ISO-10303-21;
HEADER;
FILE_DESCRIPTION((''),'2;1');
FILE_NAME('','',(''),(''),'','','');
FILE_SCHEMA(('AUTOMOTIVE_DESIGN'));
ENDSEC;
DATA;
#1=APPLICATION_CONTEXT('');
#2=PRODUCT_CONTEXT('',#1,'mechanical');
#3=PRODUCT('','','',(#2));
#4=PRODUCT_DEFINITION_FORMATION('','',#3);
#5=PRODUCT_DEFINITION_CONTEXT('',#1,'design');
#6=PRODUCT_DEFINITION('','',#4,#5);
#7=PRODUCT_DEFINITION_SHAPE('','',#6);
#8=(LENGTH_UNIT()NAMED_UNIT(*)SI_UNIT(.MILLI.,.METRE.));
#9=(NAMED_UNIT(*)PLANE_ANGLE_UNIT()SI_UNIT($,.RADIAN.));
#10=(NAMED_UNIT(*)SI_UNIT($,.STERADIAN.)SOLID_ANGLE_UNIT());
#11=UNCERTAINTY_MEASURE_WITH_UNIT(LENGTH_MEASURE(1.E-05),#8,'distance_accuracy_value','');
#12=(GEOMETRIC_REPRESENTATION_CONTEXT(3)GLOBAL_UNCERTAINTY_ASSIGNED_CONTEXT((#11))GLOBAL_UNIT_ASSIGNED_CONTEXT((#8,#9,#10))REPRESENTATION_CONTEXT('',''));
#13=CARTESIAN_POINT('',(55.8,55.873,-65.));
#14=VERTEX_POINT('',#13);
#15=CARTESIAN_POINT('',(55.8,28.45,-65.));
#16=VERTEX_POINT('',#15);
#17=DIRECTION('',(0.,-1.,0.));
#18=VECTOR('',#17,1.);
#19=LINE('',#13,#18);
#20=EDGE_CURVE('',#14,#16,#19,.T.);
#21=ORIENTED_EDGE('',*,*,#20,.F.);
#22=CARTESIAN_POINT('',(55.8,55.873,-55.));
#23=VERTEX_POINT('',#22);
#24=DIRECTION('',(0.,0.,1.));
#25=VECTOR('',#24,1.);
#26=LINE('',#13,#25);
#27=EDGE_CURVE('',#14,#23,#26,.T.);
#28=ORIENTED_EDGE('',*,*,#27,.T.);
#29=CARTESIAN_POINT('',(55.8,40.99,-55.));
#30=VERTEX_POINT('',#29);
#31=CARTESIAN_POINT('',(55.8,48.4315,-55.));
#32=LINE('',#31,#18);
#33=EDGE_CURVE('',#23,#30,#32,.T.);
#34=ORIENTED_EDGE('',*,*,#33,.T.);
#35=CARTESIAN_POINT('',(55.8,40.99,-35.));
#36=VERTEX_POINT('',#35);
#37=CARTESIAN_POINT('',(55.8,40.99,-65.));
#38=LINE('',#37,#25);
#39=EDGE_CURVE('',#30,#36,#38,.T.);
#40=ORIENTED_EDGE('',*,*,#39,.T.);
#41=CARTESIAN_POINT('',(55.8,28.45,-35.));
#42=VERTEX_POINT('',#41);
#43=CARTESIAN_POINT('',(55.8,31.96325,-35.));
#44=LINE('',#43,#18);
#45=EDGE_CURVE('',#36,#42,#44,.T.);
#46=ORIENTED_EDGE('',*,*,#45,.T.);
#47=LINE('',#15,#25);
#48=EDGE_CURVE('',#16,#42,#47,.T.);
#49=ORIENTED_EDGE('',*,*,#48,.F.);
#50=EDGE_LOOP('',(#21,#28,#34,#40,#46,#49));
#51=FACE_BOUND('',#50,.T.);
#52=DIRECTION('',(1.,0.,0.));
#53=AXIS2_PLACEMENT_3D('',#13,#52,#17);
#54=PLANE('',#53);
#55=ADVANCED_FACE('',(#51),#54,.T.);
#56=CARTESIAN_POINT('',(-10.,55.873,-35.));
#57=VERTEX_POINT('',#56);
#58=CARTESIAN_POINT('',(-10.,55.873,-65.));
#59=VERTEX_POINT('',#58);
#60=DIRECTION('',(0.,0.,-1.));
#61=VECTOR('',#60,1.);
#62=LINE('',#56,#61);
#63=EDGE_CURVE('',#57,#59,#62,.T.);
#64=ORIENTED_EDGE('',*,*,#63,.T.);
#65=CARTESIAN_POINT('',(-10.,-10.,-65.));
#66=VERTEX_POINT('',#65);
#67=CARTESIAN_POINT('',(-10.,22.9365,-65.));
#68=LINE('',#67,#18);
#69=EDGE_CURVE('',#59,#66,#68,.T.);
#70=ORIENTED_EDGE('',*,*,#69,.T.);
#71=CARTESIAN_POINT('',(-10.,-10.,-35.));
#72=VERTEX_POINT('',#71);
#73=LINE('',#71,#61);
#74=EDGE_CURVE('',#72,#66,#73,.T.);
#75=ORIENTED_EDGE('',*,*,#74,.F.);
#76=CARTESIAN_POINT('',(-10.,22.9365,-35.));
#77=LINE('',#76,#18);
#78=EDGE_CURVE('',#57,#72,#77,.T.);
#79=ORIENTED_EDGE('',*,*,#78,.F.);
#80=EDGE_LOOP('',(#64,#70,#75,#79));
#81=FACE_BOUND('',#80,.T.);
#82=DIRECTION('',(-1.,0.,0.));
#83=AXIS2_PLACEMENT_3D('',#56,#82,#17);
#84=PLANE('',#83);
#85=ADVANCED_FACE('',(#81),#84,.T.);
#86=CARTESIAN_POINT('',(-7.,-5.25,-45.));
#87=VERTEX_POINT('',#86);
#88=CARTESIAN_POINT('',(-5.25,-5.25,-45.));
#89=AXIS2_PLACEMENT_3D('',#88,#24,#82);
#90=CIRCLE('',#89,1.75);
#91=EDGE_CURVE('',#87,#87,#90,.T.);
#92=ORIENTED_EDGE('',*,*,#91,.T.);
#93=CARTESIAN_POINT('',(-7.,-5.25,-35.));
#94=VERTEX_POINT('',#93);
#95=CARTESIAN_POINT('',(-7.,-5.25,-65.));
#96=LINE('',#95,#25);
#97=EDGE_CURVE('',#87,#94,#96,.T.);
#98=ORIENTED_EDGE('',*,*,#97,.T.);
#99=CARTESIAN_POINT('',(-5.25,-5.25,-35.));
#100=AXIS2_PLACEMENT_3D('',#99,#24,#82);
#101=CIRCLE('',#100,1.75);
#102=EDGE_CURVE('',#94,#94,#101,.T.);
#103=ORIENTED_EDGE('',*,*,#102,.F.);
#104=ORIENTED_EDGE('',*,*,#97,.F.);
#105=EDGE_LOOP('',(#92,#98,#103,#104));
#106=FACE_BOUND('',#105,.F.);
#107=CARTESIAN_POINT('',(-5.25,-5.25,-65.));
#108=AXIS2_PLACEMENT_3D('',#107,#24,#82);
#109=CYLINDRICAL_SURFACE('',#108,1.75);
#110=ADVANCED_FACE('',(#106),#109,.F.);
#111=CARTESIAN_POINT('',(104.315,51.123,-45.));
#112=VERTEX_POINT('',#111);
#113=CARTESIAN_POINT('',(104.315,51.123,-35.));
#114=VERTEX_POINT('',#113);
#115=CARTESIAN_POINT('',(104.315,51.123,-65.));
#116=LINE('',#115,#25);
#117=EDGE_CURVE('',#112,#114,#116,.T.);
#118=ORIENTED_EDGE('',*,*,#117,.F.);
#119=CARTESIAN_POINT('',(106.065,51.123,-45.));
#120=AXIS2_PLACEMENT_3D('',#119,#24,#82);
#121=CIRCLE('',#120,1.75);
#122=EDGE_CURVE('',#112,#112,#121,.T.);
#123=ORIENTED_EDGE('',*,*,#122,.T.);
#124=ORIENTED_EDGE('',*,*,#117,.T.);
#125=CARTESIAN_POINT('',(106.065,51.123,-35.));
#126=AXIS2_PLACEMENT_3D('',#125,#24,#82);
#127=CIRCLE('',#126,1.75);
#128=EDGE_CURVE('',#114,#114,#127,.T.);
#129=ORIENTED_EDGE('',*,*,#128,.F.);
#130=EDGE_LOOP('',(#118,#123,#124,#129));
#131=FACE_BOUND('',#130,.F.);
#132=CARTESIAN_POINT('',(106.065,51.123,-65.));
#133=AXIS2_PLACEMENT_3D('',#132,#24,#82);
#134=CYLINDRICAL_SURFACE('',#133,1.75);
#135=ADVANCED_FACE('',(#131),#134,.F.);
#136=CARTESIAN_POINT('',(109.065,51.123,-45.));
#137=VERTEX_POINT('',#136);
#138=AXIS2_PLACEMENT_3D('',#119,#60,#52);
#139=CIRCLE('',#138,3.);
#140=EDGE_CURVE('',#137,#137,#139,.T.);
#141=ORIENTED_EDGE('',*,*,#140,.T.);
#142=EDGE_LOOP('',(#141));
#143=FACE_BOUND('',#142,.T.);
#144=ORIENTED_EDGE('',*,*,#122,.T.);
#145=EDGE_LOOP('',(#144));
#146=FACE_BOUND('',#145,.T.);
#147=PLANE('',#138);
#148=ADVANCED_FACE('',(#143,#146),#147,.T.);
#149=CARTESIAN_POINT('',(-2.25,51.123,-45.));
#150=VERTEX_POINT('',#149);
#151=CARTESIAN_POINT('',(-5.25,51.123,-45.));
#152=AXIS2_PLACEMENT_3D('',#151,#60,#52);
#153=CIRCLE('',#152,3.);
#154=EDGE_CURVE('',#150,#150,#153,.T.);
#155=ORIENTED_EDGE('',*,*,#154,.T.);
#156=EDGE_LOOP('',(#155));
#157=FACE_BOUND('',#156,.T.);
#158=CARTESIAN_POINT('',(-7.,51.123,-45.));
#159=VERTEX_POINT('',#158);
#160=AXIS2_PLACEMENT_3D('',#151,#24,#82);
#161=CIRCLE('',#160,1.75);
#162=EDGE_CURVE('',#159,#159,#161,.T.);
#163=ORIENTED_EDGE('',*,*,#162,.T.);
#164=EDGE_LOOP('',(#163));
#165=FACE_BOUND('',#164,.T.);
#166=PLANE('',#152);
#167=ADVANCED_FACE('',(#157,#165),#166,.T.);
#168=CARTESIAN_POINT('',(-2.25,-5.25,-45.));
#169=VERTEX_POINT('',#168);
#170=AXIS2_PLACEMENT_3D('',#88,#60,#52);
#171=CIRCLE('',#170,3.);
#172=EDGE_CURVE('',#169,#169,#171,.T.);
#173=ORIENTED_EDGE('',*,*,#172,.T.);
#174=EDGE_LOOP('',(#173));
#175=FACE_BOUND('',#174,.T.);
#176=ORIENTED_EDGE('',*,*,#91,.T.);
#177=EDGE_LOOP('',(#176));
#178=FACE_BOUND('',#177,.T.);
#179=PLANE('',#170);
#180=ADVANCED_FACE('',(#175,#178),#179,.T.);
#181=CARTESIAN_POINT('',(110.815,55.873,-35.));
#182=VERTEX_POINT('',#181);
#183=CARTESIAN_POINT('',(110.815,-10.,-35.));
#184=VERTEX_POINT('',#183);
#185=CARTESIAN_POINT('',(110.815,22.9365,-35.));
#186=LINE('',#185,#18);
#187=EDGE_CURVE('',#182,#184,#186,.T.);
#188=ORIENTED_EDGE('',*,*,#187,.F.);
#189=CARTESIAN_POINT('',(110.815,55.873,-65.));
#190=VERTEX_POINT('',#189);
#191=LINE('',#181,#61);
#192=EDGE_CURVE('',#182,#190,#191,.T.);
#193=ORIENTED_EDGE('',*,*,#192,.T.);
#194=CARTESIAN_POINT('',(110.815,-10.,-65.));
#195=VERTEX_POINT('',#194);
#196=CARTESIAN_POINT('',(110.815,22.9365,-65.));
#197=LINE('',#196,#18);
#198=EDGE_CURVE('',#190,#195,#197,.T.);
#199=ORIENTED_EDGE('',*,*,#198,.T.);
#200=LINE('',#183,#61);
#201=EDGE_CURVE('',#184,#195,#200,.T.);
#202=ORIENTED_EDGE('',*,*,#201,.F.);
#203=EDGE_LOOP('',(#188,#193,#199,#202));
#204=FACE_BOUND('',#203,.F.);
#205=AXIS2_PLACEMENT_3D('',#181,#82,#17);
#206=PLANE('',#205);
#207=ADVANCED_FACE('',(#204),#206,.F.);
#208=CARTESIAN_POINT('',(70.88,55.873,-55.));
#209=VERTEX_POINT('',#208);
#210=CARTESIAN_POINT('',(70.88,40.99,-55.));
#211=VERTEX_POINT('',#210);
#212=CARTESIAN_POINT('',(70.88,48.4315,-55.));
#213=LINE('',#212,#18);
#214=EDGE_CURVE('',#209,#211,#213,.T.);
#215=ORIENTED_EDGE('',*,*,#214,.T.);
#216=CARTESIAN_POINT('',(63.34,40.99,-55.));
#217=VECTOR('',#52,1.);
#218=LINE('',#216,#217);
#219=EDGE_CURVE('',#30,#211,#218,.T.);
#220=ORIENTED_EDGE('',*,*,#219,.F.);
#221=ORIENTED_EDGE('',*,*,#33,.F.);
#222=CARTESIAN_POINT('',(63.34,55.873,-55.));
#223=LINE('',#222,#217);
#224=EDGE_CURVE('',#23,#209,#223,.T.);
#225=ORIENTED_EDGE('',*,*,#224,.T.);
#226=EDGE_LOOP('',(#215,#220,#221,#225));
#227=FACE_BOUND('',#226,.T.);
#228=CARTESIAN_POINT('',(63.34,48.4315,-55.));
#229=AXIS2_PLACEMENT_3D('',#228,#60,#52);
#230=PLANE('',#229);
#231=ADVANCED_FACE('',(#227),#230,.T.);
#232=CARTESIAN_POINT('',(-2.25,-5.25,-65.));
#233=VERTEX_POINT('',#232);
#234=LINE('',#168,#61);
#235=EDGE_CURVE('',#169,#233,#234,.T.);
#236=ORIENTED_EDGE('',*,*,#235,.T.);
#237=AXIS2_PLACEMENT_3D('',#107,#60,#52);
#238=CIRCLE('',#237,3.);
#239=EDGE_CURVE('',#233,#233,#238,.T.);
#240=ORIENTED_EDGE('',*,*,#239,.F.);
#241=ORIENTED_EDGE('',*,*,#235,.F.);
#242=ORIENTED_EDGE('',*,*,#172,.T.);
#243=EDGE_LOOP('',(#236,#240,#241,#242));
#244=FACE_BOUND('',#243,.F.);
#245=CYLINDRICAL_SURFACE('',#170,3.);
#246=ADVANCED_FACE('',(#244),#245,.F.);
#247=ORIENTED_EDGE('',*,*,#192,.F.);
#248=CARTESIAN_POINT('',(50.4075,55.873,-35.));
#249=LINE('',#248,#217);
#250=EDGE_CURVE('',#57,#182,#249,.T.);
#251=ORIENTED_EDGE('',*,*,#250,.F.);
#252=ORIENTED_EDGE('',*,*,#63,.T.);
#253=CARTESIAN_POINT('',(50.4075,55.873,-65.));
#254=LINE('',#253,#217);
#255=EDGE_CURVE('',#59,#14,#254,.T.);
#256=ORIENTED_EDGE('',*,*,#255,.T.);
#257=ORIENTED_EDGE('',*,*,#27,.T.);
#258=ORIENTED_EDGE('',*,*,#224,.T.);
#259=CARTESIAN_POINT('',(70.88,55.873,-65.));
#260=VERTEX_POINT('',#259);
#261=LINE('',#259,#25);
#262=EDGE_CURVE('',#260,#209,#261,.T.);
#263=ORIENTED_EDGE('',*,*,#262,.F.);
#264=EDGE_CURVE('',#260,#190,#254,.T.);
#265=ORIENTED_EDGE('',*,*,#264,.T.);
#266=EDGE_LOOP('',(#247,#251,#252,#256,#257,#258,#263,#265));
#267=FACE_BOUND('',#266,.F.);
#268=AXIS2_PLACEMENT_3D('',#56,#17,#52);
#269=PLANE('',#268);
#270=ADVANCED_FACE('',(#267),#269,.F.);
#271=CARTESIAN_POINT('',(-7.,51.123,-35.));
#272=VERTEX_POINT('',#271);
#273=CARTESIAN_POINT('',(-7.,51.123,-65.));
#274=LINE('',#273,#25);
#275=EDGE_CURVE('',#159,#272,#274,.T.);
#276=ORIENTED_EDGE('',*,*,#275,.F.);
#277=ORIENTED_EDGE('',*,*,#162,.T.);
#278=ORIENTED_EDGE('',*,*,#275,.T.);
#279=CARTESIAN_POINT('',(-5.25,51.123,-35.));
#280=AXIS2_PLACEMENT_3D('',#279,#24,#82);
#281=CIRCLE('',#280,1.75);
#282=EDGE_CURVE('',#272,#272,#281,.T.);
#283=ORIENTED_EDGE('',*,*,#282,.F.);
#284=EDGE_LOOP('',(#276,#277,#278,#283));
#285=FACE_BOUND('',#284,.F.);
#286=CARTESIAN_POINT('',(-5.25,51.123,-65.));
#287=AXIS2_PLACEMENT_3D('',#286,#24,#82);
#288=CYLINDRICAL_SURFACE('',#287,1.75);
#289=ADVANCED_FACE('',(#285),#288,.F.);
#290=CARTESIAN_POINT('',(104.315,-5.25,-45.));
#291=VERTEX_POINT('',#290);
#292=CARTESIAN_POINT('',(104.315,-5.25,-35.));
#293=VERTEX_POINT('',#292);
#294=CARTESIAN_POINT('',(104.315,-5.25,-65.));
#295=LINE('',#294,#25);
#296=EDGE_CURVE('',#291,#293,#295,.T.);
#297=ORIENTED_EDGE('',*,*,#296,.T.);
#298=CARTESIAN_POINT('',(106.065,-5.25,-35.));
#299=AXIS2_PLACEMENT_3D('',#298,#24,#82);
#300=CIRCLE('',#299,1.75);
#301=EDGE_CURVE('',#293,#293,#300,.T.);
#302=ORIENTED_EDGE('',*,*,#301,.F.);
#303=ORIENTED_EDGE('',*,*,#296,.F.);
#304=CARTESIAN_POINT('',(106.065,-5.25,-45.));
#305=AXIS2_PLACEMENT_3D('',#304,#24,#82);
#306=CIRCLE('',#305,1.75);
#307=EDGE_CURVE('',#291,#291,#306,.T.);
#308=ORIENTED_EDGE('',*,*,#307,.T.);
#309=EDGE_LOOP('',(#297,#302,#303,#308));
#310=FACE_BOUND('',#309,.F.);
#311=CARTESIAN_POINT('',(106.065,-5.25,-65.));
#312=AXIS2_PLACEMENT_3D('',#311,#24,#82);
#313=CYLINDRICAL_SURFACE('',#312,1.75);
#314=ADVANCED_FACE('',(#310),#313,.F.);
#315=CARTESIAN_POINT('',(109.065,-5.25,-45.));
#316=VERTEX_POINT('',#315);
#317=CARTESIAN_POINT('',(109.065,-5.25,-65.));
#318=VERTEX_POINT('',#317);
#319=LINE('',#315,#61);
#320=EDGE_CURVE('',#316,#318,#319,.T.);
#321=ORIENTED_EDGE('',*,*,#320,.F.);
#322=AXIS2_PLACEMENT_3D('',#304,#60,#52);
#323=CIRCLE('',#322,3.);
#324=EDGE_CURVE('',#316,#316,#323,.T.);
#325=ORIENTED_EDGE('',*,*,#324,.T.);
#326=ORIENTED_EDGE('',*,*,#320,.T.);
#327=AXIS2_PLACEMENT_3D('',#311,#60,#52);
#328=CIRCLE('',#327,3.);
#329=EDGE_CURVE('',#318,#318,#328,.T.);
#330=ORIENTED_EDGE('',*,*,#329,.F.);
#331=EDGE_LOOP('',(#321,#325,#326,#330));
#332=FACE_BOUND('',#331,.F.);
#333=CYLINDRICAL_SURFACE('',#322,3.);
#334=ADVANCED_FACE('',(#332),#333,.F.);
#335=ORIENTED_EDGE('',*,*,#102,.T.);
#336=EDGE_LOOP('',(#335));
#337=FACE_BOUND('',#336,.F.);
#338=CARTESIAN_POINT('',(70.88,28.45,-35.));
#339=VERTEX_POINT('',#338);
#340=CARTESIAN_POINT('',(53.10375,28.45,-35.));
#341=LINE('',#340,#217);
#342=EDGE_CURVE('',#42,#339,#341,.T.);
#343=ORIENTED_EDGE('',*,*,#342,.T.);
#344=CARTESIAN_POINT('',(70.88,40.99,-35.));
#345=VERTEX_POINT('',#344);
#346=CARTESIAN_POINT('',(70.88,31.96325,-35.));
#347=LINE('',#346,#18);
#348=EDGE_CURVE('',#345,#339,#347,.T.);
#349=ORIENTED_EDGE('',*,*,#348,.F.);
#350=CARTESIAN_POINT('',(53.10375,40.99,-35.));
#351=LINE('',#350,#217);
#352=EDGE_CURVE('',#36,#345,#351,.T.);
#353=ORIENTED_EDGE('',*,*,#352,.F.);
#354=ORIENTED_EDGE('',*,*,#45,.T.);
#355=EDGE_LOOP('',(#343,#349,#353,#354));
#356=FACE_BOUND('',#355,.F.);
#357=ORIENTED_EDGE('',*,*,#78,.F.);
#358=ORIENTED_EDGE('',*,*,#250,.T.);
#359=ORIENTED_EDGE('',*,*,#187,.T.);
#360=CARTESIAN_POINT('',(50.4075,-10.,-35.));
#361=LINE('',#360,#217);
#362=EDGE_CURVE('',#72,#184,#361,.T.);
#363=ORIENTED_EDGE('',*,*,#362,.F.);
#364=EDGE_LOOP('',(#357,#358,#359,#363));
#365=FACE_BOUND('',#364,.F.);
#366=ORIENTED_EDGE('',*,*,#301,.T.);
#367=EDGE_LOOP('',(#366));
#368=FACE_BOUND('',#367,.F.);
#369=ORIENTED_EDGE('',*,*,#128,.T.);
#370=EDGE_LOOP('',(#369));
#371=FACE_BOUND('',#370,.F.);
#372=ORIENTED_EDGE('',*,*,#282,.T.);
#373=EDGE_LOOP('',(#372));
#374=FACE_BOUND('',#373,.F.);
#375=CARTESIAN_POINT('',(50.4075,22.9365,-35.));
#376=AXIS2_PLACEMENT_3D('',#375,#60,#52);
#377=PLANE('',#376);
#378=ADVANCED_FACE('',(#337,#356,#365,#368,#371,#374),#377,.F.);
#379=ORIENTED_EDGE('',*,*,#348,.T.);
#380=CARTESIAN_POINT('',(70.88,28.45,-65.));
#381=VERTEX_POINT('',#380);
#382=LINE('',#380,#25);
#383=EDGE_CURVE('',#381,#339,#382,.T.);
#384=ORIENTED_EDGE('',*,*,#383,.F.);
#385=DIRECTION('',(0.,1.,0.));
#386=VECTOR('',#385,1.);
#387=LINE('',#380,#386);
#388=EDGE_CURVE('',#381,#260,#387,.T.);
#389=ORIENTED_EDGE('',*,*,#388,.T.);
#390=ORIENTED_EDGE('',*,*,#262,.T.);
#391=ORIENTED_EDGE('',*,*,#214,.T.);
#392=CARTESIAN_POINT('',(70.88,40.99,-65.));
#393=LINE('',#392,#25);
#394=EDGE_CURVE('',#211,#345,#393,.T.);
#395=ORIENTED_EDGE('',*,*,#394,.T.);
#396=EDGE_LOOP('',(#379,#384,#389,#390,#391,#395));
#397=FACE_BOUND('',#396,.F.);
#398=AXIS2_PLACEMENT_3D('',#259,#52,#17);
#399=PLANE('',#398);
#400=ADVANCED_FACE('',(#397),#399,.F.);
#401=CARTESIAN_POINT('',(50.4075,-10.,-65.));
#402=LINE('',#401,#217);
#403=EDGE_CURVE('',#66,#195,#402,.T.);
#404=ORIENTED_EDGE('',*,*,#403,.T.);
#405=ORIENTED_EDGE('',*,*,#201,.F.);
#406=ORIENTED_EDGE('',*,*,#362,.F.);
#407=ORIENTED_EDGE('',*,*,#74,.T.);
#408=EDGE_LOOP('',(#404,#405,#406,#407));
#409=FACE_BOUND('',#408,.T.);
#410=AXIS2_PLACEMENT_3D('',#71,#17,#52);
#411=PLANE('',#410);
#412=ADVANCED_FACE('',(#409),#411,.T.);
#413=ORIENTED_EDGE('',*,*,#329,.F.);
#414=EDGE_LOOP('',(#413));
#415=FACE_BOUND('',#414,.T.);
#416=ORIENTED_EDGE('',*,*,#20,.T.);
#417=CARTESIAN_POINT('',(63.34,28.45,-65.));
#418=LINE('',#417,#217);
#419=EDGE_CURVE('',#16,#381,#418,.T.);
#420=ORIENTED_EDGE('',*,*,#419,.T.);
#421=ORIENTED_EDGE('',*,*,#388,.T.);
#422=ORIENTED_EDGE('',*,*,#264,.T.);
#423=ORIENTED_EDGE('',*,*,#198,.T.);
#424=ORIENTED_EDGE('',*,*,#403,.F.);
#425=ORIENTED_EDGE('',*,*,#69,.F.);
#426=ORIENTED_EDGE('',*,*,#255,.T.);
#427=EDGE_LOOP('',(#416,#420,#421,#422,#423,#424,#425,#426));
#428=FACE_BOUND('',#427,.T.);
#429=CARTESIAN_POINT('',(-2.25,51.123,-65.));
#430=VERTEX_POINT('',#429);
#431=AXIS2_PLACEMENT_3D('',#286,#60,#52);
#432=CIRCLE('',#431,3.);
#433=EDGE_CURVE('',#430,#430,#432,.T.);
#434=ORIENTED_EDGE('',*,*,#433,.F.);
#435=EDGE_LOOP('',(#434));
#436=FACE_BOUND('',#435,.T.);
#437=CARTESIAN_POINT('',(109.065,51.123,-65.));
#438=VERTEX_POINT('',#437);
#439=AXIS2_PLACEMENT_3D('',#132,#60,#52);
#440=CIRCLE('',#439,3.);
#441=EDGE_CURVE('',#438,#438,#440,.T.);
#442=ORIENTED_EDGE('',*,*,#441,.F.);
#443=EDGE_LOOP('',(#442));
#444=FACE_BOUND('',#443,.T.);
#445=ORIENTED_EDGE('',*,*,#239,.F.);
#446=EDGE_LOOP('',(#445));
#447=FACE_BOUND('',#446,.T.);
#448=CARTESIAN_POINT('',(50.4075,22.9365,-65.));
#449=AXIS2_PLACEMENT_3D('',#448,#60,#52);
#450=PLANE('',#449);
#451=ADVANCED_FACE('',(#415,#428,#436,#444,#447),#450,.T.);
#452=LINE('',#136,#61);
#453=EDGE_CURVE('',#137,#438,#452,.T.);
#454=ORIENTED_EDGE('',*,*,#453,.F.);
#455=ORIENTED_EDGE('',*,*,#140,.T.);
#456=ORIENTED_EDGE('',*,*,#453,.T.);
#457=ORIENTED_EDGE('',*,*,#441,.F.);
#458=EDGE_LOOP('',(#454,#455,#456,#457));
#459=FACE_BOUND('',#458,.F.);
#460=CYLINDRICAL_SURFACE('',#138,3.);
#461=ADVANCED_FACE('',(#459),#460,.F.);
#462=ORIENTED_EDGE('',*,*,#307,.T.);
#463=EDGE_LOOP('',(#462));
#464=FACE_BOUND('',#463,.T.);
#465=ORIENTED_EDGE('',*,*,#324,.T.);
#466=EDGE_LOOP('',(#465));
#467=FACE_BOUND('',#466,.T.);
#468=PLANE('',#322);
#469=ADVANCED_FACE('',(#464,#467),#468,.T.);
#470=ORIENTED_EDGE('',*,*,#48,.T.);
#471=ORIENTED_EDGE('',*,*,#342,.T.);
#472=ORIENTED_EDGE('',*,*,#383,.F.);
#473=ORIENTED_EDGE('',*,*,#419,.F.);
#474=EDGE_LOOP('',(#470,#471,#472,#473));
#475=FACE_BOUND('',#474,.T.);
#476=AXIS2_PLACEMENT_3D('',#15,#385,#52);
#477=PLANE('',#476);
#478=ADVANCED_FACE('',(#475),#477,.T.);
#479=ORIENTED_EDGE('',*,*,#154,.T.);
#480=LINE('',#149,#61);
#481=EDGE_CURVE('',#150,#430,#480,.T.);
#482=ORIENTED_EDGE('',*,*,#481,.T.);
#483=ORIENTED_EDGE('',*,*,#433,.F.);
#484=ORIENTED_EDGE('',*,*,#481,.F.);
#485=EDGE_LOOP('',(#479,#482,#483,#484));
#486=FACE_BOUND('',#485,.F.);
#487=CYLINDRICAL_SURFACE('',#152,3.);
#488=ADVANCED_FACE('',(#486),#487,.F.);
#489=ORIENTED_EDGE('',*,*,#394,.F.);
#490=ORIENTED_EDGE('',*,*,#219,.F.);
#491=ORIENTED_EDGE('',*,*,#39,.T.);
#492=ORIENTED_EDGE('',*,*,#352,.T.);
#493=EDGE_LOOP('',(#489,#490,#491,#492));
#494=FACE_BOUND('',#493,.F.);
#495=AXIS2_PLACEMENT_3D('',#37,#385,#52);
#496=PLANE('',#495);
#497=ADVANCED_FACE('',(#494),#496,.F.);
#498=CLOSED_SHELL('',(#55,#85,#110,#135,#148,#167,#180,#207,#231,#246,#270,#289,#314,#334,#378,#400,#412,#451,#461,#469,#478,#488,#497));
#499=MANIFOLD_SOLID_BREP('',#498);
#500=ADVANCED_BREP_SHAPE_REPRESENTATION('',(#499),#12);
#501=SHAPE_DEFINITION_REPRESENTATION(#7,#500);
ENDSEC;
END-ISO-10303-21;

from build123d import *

# Parameters (mm, degrees)
SKETCH008_W         = 120.815
SKETCH008_H         = 65.873
PAD004_DEPTH        = 30
HOLE002_D           = 3.5
HOLE002_CBORE_D     = 6
HOLE002_CBORE_DEPTH = 20
SKETCH010_W         = 15.08
SKETCH010_H         = 12.54
POCKET002_DEPTH     = 30.001
SKETCH011_W         = 15.08
SKETCH011_H         = 14.883
POCKET003_DEPTH     = 10


with BuildPart() as part:
    # Sketch008 (on Face1 of Binder002) → Pad004 (new body)
    with BuildSketch(Plane(origin=(0, 0, -35), x_dir=(1, 0, 0), z_dir=(0, 0, -1))):
        with Locations((50.4075, -22.9365)):
            Rectangle(SKETCH008_W, SKETCH008_H)
    extrude(amount=PAD004_DEPTH)

    # Hole002 (through all)
    with Locations(Plane(origin=(0, 0, -65), x_dir=(1, 0, 0), z_dir=(0, 0, -1))):
        with Locations((-5.25, 5.25), (106.065, 5.25), (106.065, -51.123), (-5.25, -51.123)):
            CounterBoreHole(HOLE002_D / 2, HOLE002_CBORE_D / 2, HOLE002_CBORE_DEPTH)

    # Sketch010 (on Face5 of Hole002) → Pocket002 (cut, through all)
    with BuildSketch(Plane(origin=(0, 0, -65), x_dir=(1, 0, 0), z_dir=(0, 0, -1))):
        with Locations((63.34, -34.72)):
            Rectangle(SKETCH010_W, SKETCH010_H)
    extrude(amount=-POCKET002_DEPTH, mode=Mode.SUBTRACT)

    # Sketch011 (on Face5 of Pocket002) → Pocket003 (cut)
    with BuildSketch(Plane(origin=(0, 0, -65), x_dir=(1, 0, 0), z_dir=(0, 0, -1))):
        with Locations((63.34, -48.4315)):
            Rectangle(SKETCH011_W, SKETCH011_H)
    extrude(amount=-POCKET003_DEPTH, mode=Mode.SUBTRACT)


solid = part.part
